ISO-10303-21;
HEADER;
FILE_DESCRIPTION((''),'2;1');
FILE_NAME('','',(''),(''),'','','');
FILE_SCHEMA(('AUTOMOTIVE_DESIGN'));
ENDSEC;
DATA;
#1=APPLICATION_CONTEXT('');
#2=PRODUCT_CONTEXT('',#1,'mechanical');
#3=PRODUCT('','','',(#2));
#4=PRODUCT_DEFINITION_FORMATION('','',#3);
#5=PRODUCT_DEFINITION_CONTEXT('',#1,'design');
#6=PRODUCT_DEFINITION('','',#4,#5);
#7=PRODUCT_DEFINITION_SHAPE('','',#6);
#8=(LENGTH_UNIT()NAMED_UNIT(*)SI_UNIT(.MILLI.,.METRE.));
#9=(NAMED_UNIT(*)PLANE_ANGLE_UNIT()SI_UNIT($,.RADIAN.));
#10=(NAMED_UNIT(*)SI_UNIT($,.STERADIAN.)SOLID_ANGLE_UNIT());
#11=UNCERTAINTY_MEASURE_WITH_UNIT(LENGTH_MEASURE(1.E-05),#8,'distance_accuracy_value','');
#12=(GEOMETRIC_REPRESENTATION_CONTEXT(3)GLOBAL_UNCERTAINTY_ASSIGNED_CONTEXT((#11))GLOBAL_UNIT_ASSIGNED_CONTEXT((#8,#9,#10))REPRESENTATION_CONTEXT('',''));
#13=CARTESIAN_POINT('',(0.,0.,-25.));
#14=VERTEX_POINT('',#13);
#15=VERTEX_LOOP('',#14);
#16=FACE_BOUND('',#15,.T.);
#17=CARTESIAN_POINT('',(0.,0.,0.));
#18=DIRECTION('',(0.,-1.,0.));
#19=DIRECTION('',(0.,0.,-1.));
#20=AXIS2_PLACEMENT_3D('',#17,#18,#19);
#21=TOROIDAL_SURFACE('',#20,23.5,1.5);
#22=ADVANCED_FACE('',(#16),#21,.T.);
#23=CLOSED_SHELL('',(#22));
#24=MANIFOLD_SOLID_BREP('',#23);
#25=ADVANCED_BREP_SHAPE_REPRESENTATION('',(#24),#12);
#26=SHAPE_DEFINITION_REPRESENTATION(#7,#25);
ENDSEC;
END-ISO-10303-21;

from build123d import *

# Parameters (mm, degrees)
SKETCH1_R = 1.5


with BuildPart() as part:
    # Sketch1 → Revolve1 (revolve)
    with BuildSketch(Plane.XY, mode=Mode.PRIVATE) as revolve1_sk:
        with Locations((-23.5, 0)):
            Circle(SKETCH1_R)
    revolve(revolve1_sk.sketch.rotate(Axis((0, 0, 0), (0, 1, 0)), 270), axis=Axis((0, 0, 0), (0, 1, 0)))


solid = part.part
